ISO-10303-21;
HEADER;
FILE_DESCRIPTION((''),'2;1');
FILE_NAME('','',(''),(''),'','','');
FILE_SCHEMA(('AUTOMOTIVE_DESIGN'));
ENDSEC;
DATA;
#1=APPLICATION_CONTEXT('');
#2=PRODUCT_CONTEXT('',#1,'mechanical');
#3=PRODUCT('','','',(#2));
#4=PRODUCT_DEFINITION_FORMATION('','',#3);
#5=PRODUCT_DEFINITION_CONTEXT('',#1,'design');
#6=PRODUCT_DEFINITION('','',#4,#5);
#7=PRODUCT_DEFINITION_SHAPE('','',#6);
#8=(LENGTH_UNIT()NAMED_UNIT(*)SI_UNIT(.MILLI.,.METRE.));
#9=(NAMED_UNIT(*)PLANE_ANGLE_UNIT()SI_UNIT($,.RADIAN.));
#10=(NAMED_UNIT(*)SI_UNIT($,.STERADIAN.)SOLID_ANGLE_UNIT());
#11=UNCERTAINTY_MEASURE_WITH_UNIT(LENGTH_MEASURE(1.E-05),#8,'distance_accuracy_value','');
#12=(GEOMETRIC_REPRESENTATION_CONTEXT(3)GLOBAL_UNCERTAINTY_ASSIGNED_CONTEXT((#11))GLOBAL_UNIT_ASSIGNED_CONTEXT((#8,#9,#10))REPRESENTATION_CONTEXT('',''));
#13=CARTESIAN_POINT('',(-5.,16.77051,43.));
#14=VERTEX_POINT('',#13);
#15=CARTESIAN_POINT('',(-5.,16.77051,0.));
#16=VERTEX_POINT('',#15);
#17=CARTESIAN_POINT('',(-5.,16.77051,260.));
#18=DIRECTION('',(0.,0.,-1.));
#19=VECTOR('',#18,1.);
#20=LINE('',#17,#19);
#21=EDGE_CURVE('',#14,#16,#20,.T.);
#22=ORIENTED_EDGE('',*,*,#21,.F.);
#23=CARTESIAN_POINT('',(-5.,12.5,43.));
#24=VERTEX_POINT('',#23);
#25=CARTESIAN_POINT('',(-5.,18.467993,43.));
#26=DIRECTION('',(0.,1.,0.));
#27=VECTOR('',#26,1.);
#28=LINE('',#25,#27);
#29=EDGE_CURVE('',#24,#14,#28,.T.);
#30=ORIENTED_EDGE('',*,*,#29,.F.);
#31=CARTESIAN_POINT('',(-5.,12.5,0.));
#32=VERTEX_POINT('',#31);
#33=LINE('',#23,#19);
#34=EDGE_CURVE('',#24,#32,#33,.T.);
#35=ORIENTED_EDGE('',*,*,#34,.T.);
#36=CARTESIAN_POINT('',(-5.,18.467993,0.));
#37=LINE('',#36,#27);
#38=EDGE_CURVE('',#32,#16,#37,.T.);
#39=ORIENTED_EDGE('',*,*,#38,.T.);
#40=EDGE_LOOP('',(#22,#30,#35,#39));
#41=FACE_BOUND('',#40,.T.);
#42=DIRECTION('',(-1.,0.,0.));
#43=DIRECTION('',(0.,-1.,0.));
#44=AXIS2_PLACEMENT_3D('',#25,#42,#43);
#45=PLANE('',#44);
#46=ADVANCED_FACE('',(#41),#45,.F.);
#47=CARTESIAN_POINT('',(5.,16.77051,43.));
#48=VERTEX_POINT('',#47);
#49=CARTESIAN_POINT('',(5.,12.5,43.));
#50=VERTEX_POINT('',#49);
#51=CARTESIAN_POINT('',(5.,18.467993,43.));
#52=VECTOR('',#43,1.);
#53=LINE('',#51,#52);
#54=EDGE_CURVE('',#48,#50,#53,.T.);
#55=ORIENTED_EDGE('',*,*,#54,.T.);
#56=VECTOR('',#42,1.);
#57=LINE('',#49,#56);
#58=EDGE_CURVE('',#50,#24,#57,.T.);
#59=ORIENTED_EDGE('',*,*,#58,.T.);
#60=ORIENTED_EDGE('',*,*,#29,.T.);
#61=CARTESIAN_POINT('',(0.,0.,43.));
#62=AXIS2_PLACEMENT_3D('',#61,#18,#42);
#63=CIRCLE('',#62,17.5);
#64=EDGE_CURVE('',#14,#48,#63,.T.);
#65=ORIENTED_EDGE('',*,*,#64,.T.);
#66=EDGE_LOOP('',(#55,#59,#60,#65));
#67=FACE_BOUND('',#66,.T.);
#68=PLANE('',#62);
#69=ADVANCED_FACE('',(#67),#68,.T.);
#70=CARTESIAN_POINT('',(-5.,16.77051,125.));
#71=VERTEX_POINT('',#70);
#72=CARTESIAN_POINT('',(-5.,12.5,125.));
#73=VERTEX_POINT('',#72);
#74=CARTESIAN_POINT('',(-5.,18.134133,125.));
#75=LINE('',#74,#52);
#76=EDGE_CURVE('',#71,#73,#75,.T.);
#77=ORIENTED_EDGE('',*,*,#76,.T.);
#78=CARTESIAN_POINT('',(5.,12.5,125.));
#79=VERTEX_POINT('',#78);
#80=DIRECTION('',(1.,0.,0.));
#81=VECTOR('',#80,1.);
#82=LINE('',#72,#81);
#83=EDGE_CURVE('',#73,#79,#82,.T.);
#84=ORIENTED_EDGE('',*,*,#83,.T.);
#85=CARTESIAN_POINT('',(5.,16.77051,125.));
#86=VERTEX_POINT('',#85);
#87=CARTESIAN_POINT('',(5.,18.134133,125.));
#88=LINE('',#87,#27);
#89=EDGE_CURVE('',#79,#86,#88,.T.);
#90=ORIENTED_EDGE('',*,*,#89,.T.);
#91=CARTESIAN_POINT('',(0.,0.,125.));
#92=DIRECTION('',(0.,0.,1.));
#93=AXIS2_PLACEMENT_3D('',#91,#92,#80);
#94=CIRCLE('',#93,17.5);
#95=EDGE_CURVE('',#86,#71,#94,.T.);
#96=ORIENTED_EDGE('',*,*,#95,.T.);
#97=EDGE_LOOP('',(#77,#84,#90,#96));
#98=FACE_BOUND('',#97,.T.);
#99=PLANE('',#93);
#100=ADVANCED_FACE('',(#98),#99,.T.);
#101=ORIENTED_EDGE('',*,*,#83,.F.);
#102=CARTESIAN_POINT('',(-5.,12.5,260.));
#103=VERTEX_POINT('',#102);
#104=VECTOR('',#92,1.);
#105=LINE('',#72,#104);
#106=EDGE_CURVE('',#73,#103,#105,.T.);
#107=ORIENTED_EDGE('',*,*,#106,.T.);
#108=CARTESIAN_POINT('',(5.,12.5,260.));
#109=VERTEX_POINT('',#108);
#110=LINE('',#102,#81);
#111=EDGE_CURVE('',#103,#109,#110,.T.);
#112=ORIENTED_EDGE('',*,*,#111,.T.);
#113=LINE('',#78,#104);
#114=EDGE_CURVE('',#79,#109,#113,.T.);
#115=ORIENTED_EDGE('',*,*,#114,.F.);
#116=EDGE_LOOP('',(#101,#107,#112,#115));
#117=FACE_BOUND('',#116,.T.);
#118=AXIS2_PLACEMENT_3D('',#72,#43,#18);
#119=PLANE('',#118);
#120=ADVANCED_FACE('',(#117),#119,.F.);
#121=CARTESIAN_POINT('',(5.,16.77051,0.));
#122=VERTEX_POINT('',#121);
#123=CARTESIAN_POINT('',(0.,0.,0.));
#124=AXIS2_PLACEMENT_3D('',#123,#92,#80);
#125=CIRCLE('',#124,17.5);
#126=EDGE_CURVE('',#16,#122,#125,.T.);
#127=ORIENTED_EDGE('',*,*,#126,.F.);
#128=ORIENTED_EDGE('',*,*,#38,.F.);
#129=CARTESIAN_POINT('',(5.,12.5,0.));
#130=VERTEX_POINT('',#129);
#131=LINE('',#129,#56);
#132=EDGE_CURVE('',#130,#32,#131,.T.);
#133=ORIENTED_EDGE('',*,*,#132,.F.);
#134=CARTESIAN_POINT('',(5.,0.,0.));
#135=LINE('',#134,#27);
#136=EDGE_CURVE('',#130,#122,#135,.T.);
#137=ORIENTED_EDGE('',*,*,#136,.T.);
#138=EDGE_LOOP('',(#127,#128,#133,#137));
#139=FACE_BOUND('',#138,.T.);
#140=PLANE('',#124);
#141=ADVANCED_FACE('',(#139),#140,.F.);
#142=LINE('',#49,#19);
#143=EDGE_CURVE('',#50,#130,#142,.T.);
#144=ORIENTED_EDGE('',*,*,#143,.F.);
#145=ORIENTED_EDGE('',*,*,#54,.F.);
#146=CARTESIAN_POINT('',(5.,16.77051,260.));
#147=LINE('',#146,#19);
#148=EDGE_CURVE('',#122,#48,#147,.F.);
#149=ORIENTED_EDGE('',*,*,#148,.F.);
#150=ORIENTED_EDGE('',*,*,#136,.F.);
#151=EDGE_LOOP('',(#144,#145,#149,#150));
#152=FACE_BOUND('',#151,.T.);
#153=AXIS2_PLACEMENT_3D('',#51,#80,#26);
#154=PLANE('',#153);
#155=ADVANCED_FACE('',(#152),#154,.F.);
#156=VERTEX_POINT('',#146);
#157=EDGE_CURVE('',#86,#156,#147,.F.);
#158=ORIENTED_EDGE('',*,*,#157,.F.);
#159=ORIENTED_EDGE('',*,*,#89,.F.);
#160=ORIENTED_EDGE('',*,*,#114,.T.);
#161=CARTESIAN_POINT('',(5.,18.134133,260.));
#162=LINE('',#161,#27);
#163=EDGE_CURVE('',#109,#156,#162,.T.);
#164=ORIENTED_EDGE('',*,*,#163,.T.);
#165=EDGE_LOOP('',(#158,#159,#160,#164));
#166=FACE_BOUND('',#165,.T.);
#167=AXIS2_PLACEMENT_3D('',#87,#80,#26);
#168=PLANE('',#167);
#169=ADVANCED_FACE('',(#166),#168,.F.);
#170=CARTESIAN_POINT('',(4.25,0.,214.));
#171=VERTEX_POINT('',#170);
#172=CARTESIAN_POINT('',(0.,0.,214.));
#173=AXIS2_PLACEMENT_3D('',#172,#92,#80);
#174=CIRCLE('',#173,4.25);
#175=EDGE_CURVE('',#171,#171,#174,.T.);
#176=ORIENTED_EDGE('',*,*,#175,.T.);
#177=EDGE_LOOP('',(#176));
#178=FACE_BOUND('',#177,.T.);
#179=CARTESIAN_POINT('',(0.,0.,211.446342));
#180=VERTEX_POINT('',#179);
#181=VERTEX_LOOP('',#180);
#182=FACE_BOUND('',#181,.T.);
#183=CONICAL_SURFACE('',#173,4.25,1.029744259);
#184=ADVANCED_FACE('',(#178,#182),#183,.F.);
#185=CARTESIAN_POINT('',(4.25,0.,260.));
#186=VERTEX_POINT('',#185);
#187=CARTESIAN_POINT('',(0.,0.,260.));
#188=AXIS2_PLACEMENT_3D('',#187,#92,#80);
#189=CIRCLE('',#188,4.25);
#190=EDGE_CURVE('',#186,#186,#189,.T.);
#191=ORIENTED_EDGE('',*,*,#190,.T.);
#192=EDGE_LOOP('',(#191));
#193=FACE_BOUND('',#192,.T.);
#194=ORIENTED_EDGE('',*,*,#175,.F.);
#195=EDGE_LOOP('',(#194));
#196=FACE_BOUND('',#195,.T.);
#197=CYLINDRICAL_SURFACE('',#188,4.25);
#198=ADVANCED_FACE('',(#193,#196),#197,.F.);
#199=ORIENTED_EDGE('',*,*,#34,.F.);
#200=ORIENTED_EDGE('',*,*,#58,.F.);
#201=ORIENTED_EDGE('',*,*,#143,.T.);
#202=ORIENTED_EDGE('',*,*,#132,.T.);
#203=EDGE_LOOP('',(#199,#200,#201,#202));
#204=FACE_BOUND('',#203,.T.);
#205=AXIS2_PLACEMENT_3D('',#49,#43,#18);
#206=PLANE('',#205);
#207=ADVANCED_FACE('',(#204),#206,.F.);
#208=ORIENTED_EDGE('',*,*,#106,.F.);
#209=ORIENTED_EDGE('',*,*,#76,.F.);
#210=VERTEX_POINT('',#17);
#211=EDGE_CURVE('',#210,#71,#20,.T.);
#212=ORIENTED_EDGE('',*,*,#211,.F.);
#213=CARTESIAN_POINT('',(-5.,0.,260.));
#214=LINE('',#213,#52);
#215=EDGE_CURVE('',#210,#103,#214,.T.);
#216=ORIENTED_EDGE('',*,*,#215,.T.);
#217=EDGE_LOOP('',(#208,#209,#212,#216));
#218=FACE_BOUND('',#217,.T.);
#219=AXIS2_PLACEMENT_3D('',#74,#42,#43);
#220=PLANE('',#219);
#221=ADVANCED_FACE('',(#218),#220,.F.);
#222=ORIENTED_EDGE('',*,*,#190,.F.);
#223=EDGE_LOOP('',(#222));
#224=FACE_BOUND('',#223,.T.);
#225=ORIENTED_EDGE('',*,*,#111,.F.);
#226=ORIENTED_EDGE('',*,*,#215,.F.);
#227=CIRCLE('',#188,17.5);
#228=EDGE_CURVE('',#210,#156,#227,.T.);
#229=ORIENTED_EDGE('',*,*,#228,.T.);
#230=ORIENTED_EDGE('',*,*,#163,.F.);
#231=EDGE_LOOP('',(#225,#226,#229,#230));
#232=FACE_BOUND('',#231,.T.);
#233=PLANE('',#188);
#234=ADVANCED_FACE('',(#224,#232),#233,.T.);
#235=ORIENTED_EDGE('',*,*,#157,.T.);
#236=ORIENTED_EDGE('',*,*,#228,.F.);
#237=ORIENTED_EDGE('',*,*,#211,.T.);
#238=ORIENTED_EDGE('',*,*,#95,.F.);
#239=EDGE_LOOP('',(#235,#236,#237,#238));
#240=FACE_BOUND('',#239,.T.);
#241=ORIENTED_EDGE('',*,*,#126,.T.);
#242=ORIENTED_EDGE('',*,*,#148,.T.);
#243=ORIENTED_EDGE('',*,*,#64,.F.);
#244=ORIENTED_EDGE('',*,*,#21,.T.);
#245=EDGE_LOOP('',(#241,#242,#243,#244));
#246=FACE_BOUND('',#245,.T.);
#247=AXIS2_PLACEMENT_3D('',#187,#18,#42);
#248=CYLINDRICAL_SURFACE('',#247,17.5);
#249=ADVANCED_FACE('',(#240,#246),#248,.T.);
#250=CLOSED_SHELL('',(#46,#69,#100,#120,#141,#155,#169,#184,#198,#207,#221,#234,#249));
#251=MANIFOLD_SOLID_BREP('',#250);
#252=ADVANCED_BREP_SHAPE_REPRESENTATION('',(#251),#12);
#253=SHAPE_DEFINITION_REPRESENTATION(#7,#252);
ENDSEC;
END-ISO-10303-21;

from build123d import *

# Parameters (mm, degrees)
ESQUISSE1_R             = 17.5
BOSS_EXTRU_1_DEPTH      = 260
ESQUISSE2_W             = 10
ESQUISSE2_H             = 5.634133163
ENL_V_MAT_EXTRU_1_DEPTH = 135
ESQUISSE3_W             = 10
ESQUISSE3_H             = 5.967992577
ENL_V_MAT_EXTRU_2_DEPTH = 43
TROU_TARAUD_M101_D      = 8.5
TROU_TARAUD_M101_DEPTH  = 46
TROU_TARAUD_M101_TIP    = 2.553657631


with BuildPart() as part:
    # Esquisse1 → Boss.-Extru.1 (new body)
    with BuildSketch(Plane.XY):
        Circle(ESQUISSE1_R)
    extrude(amount=BOSS_EXTRU_1_DEPTH)

    # Esquisse2 → Enlèv. mat.-Extru.1 (cut)
    with BuildSketch(Plane.XY.offset(260)):
        with Locations((0, 15.317066582)):
            Rectangle(ESQUISSE2_W, ESQUISSE2_H)
    extrude(amount=-ENL_V_MAT_EXTRU_1_DEPTH, mode=Mode.SUBTRACT)

    # Esquisse3 → Enlèv. mat.-Extru.2 (cut)
    with BuildSketch(Plane(origin=(0, 0, 0), x_dir=(-1, 0, 0), z_dir=(0, 0, -1))):
        with Locations((0, 15.483996289)):
            Rectangle(ESQUISSE3_W, ESQUISSE3_H)
    extrude(amount=-ENL_V_MAT_EXTRU_2_DEPTH, mode=Mode.SUBTRACT)

    # Trou taraudé M101
    with Locations(Plane.XY.offset(260)):
        with Locations((0, 0)):
            Hole(TROU_TARAUD_M101_D / 2, depth=TROU_TARAUD_M101_DEPTH)
            with Locations((0, 0, -(TROU_TARAUD_M101_DEPTH + TROU_TARAUD_M101_TIP / 2))):  # 118° drill point
                Cone(0, TROU_TARAUD_M101_D / 2, TROU_TARAUD_M101_TIP, mode=Mode.SUBTRACT)


solid = part.part
